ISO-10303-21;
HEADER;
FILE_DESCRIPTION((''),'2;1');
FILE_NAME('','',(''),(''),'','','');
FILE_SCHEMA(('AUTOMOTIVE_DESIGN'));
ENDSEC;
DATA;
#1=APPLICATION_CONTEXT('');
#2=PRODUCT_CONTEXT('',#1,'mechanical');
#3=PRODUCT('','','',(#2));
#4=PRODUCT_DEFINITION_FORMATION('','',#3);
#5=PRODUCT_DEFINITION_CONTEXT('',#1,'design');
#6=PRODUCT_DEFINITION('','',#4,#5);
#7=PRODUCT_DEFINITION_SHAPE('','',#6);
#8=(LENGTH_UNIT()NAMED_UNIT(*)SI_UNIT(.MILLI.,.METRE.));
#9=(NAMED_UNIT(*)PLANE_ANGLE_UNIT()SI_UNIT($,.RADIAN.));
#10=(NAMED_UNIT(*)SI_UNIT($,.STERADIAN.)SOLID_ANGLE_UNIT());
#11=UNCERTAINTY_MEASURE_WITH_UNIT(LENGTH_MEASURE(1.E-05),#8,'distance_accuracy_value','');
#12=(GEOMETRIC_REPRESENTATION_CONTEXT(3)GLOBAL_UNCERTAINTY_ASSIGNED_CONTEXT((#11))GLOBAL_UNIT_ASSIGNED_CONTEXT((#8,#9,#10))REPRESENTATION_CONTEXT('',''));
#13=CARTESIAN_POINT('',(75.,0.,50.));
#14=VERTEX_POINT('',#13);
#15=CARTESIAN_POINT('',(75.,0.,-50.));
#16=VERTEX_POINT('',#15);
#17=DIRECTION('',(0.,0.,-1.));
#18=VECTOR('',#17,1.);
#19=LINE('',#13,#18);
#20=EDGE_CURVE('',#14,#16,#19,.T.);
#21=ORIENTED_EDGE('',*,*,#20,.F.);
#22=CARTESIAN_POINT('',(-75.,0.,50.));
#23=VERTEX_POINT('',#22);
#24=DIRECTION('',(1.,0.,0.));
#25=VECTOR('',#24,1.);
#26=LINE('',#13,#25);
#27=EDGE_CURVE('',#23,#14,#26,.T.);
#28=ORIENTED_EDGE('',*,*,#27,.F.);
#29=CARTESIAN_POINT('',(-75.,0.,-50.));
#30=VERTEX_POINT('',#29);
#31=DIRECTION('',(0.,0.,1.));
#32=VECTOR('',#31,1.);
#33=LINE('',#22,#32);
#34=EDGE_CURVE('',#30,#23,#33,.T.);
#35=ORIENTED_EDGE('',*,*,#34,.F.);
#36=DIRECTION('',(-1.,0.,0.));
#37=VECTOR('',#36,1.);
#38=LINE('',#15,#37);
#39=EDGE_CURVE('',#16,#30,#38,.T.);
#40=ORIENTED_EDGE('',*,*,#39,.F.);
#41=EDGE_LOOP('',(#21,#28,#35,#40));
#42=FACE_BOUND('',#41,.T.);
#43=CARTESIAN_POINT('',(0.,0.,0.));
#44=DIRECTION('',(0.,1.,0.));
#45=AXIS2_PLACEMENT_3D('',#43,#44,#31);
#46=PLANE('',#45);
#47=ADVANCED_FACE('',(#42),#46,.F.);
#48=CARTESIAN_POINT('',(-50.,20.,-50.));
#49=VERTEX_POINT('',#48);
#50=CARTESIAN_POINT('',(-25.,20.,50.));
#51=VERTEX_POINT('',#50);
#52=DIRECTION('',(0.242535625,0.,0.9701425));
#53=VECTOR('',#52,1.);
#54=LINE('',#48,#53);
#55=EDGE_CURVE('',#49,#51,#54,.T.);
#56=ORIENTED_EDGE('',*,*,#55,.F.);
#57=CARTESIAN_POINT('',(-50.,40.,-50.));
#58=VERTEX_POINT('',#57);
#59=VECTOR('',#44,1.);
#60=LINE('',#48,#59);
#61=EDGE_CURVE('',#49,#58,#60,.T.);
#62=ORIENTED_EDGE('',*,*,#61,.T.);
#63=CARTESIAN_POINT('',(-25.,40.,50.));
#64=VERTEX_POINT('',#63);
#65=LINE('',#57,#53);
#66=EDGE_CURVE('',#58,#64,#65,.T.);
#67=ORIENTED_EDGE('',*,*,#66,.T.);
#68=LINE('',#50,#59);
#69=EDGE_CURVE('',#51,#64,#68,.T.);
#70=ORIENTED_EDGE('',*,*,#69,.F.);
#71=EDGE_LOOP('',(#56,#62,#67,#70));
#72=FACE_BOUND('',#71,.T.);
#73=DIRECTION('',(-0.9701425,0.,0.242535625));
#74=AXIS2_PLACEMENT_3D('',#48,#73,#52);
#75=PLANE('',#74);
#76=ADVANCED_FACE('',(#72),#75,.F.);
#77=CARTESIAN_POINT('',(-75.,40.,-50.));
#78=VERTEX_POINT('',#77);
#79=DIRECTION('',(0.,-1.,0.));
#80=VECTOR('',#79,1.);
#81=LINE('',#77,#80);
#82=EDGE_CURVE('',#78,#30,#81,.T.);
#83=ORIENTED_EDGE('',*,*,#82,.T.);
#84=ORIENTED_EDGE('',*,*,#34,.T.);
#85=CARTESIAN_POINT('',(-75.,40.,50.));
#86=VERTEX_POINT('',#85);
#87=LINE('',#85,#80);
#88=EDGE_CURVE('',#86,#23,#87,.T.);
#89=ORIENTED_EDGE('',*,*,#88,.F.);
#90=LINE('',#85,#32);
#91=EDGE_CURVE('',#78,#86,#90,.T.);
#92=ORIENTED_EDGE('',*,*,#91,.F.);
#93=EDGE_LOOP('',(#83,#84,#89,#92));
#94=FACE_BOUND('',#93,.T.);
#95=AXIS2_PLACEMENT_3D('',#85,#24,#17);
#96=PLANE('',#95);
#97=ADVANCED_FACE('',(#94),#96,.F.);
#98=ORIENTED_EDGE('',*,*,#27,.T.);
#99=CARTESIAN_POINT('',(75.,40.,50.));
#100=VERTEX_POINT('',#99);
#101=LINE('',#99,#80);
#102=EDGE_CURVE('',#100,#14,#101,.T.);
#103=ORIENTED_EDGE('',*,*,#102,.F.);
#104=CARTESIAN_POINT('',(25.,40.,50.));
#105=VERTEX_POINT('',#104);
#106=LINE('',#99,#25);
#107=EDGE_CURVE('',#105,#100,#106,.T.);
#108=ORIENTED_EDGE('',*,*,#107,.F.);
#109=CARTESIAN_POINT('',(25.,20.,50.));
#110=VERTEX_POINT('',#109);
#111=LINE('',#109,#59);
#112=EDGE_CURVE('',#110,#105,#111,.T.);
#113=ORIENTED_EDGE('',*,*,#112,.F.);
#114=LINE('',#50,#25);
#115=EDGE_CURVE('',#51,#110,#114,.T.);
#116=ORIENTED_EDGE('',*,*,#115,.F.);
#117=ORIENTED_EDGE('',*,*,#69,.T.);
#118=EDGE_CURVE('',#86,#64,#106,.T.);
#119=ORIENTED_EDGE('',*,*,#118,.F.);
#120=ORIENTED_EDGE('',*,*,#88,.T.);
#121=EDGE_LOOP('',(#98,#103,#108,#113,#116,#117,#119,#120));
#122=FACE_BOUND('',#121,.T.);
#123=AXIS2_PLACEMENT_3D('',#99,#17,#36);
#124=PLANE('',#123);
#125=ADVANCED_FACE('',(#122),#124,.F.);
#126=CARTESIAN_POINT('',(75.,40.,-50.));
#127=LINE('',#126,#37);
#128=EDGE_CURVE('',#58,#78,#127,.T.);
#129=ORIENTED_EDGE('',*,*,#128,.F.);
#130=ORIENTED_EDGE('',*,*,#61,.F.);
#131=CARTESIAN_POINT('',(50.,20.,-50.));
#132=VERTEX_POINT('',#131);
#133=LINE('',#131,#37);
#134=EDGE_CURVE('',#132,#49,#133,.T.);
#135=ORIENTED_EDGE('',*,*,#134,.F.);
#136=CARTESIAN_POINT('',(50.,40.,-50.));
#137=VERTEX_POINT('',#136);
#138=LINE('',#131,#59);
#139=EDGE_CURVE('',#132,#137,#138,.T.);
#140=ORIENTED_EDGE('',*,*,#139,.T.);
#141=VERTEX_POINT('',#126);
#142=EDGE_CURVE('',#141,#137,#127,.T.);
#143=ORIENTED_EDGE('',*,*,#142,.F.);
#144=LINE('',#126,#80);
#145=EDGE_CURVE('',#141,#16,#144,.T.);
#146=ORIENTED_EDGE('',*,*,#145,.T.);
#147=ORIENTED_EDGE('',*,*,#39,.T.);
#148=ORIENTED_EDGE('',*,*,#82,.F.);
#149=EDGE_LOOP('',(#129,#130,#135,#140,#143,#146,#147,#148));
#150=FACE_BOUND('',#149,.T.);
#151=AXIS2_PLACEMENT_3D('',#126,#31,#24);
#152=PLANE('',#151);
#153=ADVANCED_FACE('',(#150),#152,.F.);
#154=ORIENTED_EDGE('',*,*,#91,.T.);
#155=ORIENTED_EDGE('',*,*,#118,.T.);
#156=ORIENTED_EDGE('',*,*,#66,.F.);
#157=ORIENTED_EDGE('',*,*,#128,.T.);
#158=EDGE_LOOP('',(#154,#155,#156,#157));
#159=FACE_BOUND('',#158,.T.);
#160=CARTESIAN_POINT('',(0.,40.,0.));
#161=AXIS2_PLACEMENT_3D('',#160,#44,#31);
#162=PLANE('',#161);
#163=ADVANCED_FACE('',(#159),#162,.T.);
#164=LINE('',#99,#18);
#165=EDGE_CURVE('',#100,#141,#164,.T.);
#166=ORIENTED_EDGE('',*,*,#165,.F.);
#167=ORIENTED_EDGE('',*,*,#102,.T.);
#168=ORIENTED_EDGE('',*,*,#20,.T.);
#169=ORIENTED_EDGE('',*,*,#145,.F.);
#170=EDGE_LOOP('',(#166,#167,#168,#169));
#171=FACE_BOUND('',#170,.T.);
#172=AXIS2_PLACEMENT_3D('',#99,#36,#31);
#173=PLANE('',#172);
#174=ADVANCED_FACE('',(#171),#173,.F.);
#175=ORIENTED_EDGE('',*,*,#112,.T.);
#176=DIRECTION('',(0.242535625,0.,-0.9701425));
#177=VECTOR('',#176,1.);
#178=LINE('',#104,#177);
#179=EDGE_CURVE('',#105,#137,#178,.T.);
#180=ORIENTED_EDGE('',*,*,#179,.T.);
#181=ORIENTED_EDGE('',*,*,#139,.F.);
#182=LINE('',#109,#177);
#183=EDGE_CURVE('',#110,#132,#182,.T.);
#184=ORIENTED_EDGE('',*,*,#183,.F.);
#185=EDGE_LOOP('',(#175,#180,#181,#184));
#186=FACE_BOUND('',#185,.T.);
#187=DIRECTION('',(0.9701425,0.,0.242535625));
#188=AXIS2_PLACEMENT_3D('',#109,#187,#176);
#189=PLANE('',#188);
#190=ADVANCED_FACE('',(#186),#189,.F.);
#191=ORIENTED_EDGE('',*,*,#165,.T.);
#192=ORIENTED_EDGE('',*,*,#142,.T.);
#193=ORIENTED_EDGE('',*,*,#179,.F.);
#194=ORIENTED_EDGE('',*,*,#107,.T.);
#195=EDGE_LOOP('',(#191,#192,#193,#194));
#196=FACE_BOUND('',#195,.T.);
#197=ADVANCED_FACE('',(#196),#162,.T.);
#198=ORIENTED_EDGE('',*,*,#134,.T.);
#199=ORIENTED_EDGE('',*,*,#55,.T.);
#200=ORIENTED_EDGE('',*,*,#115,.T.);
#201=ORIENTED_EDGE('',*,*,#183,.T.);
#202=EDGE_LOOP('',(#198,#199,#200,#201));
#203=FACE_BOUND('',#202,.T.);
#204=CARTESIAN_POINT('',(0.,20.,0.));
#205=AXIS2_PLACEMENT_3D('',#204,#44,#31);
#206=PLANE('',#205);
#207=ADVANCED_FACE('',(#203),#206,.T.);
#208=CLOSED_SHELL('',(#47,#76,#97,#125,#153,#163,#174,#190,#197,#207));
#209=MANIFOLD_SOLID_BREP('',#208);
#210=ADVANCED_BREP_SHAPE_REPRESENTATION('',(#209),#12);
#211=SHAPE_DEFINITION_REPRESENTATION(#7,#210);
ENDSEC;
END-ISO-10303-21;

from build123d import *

# Parameters (mm, degrees)
SKETCH1_W           = 150
SKETCH1_H           = 100
BOSS_EXTRUDE1_DEPTH = 40
CUT_EXTRUDE1_DEPTH  = 20


with BuildPart() as part:
    # Sketch1 → Boss-Extrude1 (new body)
    with BuildSketch(Plane(origin=(0, 0, 0), x_dir=(1, 0, 0), z_dir=(0, 1, 0))):
        Rectangle(SKETCH1_W, SKETCH1_H)
    extrude(amount=BOSS_EXTRUDE1_DEPTH)

    # Sketch2 → Cut-Extrude1 (cut)
    with BuildSketch(Plane(origin=(0, 40, 0), x_dir=(1, 0, 0), z_dir=(0, 1, 0))):
        Polygon((-50, 50), (-25, -50), (25, -50), (50, 50), align=None)
    extrude(amount=-CUT_EXTRUDE1_DEPTH, mode=Mode.SUBTRACT)


solid = part.part
